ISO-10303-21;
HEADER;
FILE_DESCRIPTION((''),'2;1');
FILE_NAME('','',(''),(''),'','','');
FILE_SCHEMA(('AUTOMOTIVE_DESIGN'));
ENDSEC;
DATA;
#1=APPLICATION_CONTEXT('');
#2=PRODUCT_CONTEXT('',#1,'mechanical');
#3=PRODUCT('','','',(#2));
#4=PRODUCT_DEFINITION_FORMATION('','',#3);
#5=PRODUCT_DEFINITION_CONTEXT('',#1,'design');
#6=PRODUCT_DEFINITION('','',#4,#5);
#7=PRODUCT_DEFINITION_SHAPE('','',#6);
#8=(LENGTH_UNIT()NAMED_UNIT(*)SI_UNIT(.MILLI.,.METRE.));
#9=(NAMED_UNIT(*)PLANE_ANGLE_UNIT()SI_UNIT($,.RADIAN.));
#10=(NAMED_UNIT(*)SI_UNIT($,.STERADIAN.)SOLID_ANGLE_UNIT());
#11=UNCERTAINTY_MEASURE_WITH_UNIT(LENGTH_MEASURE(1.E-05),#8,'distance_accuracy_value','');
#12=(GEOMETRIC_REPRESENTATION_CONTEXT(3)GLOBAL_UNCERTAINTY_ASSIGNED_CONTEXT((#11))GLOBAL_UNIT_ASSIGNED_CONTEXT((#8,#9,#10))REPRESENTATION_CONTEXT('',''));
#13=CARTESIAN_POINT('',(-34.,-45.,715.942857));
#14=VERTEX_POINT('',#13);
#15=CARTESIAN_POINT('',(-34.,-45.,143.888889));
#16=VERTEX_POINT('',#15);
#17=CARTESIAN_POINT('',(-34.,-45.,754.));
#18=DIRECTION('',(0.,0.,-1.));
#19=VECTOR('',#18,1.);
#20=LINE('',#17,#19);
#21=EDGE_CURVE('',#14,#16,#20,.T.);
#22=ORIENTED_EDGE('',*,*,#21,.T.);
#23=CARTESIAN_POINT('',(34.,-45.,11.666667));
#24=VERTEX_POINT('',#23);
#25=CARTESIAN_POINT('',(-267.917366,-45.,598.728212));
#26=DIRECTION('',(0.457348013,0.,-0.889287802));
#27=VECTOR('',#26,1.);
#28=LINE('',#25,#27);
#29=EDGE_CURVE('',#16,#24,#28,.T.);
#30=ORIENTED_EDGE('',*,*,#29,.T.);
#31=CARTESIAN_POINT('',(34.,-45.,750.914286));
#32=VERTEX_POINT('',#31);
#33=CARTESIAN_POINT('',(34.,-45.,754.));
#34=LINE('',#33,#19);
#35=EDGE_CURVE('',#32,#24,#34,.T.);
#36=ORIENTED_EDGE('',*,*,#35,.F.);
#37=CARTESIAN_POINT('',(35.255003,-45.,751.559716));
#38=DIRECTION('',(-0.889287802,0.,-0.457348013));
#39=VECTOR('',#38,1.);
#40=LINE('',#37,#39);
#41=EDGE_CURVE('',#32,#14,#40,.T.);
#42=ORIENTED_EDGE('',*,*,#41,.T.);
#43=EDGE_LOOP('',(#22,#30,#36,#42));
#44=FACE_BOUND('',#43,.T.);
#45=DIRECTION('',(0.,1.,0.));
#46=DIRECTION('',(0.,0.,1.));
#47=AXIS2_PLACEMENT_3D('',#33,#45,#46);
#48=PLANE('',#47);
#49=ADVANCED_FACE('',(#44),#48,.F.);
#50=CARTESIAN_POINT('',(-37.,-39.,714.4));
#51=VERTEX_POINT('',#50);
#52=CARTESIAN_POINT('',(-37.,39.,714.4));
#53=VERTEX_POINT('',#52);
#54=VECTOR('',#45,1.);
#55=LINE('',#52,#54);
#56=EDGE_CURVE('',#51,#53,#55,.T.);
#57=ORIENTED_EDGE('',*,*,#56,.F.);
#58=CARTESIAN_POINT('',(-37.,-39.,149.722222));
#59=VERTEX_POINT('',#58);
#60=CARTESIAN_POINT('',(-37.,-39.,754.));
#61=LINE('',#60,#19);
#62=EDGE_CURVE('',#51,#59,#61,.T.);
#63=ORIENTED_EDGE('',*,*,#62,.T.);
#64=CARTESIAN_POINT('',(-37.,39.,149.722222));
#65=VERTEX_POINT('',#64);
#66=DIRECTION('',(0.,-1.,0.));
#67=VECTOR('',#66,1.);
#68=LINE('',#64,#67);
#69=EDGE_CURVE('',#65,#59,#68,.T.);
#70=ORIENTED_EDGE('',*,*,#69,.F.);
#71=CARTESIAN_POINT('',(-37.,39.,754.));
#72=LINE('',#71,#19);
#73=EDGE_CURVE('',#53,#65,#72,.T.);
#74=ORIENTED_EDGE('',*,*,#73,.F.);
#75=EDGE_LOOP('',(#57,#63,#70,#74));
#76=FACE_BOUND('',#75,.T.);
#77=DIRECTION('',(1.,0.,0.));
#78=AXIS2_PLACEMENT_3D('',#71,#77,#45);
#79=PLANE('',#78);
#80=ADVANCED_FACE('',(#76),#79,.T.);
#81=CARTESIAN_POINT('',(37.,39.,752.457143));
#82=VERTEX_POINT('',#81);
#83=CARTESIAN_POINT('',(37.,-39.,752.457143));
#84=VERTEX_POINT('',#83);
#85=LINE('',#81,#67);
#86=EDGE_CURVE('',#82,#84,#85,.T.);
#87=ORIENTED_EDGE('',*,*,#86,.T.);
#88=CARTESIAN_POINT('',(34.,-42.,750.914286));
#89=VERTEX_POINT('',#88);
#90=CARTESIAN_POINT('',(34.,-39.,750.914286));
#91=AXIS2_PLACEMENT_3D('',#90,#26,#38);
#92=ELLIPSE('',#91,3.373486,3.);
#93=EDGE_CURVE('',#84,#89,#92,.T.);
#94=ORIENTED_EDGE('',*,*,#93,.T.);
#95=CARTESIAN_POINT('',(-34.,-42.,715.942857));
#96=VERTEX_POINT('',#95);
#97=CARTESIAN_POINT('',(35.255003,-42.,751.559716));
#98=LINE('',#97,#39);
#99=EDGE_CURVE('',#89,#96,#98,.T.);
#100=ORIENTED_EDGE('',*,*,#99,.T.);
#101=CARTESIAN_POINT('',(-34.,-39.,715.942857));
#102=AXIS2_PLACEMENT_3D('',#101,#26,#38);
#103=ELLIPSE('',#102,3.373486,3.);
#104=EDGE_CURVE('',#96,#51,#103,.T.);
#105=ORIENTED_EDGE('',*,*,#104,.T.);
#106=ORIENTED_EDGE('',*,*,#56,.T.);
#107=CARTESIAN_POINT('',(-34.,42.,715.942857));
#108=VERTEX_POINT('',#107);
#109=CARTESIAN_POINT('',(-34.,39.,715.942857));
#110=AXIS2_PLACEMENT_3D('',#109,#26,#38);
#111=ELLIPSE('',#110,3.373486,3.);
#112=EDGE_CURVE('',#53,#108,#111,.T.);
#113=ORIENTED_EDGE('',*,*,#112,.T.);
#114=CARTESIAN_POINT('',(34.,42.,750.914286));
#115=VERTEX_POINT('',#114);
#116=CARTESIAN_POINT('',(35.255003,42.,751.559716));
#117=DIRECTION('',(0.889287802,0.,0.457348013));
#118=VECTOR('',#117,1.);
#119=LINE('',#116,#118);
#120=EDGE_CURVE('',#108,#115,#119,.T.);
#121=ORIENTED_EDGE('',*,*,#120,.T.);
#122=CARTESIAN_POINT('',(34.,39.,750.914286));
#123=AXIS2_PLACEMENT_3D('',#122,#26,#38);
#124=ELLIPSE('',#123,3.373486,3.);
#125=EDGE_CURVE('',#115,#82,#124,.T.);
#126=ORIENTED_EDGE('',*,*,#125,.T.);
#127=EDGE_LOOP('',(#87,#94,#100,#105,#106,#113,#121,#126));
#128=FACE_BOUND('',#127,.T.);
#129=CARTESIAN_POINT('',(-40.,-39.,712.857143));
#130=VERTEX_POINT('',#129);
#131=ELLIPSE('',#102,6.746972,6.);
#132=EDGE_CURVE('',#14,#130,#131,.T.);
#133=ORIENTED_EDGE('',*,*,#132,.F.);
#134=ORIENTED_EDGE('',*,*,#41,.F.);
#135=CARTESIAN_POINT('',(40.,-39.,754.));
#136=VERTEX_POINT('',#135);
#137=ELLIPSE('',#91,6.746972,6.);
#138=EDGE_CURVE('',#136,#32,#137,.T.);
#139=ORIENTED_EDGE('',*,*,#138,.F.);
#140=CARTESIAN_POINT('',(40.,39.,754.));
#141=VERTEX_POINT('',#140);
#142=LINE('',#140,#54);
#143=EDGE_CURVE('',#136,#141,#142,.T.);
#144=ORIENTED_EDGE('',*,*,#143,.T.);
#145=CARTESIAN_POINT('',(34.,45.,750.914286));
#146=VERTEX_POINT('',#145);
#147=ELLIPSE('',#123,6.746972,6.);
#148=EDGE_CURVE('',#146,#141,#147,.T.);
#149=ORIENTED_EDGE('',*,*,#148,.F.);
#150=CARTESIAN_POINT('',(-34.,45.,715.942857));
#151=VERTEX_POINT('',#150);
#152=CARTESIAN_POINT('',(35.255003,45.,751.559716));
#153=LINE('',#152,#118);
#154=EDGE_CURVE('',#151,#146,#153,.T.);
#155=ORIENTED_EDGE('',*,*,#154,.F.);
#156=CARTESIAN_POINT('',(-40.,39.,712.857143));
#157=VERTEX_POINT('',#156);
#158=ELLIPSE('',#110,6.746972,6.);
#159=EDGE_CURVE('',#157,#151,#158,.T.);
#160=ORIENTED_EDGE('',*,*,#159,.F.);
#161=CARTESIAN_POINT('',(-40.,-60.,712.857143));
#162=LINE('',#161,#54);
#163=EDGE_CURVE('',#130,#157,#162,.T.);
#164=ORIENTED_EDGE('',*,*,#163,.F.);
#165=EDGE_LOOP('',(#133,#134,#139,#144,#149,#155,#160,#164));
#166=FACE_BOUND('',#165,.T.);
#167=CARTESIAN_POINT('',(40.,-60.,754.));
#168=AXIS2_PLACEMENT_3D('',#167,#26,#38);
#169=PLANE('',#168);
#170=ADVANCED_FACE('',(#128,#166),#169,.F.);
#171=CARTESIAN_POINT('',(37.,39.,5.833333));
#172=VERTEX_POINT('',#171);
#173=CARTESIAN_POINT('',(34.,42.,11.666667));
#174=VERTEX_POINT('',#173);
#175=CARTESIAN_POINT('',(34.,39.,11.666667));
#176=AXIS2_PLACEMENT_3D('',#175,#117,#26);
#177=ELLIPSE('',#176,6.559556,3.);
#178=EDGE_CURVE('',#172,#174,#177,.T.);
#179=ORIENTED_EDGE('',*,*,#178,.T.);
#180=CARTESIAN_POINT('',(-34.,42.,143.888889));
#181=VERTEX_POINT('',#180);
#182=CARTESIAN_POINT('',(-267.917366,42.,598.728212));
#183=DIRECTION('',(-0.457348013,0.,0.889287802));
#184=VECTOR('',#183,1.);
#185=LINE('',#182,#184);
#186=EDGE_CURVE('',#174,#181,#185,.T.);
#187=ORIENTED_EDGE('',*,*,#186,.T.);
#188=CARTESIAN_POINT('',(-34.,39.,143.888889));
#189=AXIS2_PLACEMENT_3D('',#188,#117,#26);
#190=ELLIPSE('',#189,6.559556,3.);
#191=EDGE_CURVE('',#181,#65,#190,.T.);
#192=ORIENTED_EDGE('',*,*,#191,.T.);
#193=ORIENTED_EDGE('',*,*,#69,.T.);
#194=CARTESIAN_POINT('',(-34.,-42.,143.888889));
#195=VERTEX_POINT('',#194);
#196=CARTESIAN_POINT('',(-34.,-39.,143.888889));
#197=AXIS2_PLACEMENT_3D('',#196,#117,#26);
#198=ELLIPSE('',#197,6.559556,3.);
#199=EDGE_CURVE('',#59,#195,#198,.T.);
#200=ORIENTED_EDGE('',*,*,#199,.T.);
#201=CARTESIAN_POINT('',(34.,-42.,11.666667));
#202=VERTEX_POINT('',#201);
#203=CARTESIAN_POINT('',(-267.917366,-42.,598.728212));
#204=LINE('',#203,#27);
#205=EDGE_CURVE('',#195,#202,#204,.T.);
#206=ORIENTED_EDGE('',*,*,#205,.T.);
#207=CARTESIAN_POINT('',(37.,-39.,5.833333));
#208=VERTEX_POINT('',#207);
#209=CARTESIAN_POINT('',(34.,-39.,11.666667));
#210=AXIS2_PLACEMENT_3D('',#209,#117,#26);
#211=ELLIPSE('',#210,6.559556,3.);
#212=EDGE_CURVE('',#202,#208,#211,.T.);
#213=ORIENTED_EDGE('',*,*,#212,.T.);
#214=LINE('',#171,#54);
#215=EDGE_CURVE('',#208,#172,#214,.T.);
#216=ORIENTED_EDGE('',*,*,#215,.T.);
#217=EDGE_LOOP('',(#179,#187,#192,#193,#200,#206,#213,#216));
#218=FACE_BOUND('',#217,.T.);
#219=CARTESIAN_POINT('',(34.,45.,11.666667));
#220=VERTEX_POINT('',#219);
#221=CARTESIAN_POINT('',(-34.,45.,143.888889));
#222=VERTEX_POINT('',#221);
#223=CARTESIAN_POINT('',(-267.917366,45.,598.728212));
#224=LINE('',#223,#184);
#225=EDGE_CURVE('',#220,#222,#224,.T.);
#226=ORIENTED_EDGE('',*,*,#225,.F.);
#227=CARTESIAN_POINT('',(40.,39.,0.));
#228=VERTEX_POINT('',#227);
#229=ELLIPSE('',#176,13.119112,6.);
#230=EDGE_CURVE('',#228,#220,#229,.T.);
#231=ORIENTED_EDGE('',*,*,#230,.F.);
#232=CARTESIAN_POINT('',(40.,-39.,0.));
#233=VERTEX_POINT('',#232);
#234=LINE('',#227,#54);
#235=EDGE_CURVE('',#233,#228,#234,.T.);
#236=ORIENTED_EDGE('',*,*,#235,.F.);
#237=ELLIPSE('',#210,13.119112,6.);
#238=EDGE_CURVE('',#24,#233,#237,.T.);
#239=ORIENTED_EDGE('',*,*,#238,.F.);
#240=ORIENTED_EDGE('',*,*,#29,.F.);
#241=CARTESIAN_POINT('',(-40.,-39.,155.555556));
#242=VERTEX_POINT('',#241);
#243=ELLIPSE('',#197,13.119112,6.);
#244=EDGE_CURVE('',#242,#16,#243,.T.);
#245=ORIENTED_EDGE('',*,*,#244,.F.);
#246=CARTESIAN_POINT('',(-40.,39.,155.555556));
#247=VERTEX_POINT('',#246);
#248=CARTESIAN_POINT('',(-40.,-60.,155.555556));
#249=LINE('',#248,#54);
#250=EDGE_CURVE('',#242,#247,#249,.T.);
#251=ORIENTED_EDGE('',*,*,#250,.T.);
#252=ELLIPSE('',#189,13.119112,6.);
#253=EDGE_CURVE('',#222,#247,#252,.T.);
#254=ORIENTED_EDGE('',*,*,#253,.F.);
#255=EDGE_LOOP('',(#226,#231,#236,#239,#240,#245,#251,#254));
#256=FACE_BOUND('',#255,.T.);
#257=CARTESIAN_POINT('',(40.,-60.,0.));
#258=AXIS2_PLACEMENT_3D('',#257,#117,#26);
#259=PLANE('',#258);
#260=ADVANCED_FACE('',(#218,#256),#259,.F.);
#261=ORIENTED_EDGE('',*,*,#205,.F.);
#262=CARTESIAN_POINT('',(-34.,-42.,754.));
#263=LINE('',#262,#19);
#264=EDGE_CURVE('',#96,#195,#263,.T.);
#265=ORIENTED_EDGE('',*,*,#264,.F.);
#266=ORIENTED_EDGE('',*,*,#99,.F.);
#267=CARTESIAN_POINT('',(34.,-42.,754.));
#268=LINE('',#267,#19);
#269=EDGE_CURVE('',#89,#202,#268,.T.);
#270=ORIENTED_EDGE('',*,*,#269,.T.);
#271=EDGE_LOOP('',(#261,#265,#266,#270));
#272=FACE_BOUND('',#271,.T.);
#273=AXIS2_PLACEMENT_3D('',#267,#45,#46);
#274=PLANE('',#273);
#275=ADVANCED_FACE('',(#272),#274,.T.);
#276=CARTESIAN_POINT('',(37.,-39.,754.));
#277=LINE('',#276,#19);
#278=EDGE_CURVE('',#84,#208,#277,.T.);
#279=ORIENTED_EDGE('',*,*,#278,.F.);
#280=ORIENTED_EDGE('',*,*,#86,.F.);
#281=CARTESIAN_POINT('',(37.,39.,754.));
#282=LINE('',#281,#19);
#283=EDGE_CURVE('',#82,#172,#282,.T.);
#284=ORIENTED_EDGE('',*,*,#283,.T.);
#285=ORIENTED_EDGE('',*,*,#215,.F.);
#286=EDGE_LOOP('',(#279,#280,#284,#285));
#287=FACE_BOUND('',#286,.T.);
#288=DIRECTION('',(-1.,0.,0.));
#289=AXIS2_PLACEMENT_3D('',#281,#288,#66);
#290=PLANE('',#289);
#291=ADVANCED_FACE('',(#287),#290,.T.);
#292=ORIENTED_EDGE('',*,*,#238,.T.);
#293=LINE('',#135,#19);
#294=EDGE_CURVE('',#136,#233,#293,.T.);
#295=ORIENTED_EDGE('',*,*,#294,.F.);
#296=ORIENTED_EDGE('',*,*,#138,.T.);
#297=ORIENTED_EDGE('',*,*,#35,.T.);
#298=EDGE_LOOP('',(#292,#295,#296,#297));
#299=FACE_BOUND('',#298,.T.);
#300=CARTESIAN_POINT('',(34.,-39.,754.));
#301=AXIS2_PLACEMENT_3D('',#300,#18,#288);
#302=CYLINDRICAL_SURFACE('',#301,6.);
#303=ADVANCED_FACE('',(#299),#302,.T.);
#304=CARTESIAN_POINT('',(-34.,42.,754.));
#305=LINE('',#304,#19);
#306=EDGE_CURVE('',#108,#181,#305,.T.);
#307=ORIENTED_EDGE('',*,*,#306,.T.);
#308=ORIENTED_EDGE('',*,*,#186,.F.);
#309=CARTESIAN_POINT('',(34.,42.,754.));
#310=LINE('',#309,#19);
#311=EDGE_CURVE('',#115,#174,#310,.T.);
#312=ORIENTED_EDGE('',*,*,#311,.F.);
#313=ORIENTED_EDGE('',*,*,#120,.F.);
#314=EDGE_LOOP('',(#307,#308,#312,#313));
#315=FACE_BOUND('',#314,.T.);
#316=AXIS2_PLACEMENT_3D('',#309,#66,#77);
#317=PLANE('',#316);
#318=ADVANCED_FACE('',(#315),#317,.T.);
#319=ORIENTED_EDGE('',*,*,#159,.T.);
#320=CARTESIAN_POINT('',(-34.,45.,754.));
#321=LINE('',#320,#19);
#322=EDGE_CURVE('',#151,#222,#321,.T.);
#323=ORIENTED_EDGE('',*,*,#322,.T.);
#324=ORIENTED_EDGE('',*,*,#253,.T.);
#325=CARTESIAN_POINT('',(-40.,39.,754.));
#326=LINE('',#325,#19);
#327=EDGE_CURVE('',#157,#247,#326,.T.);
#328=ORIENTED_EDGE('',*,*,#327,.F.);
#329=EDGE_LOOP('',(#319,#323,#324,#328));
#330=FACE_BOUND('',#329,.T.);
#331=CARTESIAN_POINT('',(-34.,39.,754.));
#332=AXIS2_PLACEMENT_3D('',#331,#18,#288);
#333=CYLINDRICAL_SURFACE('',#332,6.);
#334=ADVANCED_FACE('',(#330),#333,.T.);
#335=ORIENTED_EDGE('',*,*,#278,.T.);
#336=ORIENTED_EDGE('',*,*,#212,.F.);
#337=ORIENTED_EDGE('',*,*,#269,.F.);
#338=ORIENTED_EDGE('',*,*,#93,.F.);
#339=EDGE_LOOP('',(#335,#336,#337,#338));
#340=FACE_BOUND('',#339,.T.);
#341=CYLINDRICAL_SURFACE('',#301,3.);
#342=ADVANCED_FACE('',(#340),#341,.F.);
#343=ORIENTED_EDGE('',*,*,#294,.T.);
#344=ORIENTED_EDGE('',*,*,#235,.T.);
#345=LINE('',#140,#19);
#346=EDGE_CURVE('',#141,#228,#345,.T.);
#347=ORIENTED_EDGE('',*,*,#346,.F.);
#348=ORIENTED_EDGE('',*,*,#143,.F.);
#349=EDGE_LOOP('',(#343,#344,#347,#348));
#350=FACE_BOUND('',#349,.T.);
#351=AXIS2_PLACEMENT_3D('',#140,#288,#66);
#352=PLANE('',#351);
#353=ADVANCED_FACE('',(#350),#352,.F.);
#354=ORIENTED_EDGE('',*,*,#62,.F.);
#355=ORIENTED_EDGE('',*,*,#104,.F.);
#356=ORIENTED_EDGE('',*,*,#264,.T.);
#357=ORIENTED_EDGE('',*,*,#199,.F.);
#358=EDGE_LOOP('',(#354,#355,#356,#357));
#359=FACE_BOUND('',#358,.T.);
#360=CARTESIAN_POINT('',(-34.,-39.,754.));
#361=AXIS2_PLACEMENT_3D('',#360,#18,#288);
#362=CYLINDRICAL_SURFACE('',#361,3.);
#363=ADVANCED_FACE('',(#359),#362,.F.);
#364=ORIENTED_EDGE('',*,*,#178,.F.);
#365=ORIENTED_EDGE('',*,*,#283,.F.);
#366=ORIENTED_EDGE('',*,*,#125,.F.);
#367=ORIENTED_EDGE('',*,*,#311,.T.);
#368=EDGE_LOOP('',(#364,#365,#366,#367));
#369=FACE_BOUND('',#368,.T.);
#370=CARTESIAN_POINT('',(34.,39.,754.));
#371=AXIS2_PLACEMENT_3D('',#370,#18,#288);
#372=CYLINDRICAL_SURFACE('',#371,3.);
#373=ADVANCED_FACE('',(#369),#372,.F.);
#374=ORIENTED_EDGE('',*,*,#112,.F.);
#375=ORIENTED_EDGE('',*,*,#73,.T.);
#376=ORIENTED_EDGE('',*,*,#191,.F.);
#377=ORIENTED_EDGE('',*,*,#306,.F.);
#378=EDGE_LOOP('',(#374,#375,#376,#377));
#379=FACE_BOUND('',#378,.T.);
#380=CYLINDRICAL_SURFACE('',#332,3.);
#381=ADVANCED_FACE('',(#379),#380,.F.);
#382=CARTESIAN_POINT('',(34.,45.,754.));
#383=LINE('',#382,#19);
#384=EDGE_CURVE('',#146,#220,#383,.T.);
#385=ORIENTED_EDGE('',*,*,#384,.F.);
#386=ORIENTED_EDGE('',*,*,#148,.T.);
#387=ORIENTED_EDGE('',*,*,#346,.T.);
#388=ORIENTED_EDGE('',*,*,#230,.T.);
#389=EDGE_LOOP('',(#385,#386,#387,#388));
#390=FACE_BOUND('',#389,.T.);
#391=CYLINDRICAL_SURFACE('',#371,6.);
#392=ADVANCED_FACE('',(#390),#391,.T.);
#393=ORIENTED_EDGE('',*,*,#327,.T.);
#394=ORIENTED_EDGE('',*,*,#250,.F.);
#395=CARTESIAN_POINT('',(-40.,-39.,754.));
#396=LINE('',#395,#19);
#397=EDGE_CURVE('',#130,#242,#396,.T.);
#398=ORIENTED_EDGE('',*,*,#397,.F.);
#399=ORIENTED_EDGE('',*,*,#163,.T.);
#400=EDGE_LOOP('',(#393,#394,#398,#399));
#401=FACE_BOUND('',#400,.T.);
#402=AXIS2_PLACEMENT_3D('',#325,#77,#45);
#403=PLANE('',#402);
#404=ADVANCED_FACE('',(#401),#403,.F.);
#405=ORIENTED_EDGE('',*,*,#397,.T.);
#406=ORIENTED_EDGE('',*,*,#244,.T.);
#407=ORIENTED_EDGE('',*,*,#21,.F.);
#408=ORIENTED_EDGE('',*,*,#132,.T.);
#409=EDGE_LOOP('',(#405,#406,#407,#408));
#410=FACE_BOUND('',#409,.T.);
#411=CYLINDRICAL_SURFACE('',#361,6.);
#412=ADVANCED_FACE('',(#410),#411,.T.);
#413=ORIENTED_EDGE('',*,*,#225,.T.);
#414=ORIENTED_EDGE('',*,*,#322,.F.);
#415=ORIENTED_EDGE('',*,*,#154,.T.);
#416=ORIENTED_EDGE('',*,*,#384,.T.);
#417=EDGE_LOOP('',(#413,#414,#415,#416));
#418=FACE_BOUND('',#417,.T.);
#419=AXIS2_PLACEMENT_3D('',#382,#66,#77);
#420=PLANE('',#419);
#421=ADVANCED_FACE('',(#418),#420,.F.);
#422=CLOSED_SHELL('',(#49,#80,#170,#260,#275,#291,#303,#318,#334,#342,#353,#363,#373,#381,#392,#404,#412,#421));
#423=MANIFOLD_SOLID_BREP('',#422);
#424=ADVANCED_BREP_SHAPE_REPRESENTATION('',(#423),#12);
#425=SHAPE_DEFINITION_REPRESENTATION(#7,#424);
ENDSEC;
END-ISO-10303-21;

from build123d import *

# Parameters (mm, degrees)
EXTRUDE_1_DEPTH     = 754
CUT_EXTRUDE_1_DEPTH = 60


with BuildPart() as part:
    # Эскиз1 → Вытянуть-Тонкостенный1 (new body)
    with BuildSketch(Plane.XY):
        with BuildLine():
            Line((-40, 39), (-40, -39))
            ThreePointArc((-40, -39), (-38.242640687, -43.242640687), (-34, -45))
            Line((-34, -45), (34, -45))
            ThreePointArc((34, -45), (38.242640687, -43.242640687), (40, -39))
            Line((40, -39), (40, 39))
            ThreePointArc((40, 39), (38.242640687, 43.242640687), (34, 45))
            Line((34, 45), (-34, 45))
            ThreePointArc((-34, 45), (-38.242640687, 43.242640687), (-40, 39))
        make_face()
        with BuildLine():
            Line((-37, 39), (-37, -39))
            ThreePointArc((-37, -39), (-36.121320344, -41.121320344), (-34, -42))
            Line((-34, -42), (34, -42))
            ThreePointArc((34, -42), (36.121320344, -41.121320344), (37, -39))
            Line((37, -39), (37, 39))
            ThreePointArc((37, 39), (36.121320344, 41.121320344), (34, 42))
            Line((34, 42), (-34, 42))
            ThreePointArc((-34, 42), (-36.121320344, 41.121320344), (-37, 39))
        make_face(mode=Mode.SUBTRACT)
    extrude(amount=EXTRUDE_1_DEPTH)

    # Эскиз2 → Вырез-Вытянуть1 (cut, symmetric)
    with BuildSketch(Plane(origin=(0, 0, 0), x_dir=(1, 0, 0), z_dir=(0, 1, 0))):
        Polygon((40, 0), (-40, -155.555555538), (-177.752070978, 72.913369191), (175.578140708, 72.913369191), (175.578140708, -903.068684068), (-185.164592902, -903.068684068), (-40, -712.857142852), (40, -754), align=None)
    extrude(amount=CUT_EXTRUDE_1_DEPTH, both=True, mode=Mode.SUBTRACT)


solid = part.part
